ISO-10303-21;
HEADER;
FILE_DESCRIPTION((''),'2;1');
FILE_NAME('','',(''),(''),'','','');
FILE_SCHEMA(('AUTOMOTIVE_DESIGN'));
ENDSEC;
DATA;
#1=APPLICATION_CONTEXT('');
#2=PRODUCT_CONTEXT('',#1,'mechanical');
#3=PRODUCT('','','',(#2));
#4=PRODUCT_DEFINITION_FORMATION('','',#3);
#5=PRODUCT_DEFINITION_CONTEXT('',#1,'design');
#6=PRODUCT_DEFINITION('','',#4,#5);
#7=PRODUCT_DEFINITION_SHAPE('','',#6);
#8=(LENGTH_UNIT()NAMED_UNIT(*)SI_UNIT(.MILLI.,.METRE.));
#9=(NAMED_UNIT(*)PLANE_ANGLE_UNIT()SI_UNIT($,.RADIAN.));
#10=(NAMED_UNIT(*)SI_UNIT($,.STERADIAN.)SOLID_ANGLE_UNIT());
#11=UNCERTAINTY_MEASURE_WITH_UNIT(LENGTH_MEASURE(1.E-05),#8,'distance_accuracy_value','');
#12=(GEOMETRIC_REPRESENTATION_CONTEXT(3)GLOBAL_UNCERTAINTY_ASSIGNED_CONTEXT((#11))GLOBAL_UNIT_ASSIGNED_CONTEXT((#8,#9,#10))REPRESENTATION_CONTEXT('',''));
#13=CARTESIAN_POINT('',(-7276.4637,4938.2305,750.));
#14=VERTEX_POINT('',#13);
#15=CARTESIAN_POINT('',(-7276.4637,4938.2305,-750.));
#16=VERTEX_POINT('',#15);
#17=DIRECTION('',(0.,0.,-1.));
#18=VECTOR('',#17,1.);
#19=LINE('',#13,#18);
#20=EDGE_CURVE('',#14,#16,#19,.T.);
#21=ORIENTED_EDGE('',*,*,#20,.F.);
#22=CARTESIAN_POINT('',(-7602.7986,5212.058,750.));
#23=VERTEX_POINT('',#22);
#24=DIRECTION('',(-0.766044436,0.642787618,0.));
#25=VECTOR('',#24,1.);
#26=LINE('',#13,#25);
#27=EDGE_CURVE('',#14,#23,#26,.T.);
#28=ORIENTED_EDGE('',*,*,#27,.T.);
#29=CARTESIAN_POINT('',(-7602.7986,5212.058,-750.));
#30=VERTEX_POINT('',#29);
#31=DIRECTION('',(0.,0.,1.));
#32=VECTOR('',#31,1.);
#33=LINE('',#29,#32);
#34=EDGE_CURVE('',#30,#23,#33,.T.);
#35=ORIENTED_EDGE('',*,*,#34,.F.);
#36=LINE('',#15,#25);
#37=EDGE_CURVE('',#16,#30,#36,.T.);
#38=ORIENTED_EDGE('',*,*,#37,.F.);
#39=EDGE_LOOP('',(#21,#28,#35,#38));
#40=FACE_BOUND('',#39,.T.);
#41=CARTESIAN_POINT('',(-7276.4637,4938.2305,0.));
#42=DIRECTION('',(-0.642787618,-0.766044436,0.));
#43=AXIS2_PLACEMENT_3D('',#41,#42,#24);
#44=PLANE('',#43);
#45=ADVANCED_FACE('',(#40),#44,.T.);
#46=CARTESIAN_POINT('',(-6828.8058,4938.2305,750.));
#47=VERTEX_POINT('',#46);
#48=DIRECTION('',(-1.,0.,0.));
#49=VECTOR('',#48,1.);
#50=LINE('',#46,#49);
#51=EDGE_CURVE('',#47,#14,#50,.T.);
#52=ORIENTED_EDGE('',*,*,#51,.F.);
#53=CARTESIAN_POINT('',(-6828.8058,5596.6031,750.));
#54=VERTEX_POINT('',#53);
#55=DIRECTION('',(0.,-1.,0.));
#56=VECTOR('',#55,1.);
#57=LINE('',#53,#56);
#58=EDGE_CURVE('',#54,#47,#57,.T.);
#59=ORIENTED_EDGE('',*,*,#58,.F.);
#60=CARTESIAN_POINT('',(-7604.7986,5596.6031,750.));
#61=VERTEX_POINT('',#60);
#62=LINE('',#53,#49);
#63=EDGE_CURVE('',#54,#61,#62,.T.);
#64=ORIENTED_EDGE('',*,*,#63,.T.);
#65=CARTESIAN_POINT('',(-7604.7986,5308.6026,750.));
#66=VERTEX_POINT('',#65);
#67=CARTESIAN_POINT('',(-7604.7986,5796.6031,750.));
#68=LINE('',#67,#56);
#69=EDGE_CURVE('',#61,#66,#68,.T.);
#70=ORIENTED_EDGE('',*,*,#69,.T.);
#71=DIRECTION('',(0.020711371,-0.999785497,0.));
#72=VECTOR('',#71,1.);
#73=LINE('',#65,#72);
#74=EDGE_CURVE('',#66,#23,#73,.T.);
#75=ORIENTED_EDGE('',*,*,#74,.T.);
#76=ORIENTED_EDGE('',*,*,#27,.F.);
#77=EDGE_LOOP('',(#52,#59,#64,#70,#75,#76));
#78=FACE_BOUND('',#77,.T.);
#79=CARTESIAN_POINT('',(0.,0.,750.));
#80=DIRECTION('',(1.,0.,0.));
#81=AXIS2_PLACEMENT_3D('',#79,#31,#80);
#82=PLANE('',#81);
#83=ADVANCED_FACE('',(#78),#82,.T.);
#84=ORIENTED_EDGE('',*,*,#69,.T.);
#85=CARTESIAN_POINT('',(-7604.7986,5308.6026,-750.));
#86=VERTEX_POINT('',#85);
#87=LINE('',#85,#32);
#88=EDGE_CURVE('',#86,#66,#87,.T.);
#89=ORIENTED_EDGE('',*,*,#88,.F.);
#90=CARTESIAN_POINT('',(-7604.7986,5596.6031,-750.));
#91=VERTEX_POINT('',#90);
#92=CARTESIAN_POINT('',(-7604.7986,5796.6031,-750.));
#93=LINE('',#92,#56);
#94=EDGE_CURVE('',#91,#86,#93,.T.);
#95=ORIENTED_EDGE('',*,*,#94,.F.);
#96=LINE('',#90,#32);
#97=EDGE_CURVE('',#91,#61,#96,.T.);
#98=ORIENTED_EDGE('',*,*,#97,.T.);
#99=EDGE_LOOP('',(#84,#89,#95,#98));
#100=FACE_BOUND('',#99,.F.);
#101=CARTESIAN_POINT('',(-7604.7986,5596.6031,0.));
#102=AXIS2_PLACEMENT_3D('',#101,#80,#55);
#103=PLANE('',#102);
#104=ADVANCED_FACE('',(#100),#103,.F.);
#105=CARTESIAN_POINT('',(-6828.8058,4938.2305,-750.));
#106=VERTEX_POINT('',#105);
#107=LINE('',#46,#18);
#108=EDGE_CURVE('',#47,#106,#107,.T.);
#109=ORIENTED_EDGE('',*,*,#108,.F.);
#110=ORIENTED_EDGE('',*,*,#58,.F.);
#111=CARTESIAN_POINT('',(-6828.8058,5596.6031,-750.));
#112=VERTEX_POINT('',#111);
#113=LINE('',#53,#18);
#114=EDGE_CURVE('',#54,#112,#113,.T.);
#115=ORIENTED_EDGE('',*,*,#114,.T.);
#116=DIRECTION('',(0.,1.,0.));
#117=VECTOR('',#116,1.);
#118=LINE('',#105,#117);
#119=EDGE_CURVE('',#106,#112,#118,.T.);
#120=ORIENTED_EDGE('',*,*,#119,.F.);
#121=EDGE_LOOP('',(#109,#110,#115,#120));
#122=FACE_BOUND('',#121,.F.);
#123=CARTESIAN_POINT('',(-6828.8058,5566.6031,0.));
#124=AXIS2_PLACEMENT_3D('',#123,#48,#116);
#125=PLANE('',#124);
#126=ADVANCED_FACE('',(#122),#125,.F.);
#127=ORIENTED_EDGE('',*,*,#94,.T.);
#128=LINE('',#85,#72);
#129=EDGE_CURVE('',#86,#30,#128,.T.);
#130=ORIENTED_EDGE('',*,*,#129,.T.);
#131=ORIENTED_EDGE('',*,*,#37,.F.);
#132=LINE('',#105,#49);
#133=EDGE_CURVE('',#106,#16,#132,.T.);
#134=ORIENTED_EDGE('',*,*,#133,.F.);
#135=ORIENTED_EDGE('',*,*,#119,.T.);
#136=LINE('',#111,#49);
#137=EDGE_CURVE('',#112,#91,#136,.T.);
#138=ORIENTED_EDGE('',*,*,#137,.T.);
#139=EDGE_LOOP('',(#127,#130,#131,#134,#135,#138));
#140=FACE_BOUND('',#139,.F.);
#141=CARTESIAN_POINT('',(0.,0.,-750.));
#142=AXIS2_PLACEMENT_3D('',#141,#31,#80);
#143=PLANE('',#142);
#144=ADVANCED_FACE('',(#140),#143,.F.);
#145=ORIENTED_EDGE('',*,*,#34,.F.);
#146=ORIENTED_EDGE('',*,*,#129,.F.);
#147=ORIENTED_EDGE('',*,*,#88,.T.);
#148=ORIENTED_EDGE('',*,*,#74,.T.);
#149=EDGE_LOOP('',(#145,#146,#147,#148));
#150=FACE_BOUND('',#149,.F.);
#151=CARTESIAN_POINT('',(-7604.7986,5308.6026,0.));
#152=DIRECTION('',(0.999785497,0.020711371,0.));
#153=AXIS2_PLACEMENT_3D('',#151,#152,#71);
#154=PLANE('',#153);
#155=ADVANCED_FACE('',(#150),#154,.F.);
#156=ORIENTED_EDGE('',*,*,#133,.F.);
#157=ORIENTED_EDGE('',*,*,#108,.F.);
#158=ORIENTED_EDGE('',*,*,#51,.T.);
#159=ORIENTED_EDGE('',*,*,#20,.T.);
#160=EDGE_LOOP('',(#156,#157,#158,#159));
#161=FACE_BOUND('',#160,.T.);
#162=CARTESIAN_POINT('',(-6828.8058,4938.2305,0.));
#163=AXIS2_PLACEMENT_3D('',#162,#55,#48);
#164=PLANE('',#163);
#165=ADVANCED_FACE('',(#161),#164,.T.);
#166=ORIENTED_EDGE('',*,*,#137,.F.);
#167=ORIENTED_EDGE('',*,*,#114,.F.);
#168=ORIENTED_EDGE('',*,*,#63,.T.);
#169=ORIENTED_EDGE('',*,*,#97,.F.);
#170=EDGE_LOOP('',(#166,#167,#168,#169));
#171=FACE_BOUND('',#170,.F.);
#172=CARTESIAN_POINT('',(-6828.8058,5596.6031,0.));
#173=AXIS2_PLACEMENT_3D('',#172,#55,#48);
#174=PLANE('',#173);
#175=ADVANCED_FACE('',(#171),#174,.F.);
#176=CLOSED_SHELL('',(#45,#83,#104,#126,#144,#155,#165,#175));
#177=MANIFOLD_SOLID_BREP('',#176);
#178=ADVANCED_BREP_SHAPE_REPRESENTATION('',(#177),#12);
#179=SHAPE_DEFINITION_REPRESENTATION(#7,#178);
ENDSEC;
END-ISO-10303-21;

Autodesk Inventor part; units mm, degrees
ref_plane "YZ Plane" through (0, 0, 0) normal (1, 0, 0) x (0, 1, 0)
ref_plane "XZ Plane" through (0, 0, 0) normal (0, 1, 0) x (-1, 0, 0)
ref_plane "XY Plane" through (0, 0, 0) normal (0, 0, 1) x (1, 0, 0)
sketch "Sketch1" plane through (0, 0, 0) normal (0, 0, 1) x (1, 0, 0)
  line L0 (-7604.7986, 5796.6031) -> (-7604.7986, 5308.6026) projected
  line L1 (-6828.8058, 5566.6031) -> (-6828.8058, 5596.6031) projected
  line L2 (-7276.4637, 4938.2305) -> (-7602.7986, 5212.058) projected
  line L3 (-6828.8058, 5596.6031) -> (-7604.7986, 5596.6031)
  line L4 (-7604.7986, 5308.6026) -> (-7602.7986, 5212.058)
  line L5 (-6828.8058, 5566.6031) -> (-6828.8058, 4938.2305)
  line L6 (-6828.8058, 4938.2305) -> (-7276.4637, 4938.2305)
  point P0 (0, 0)
extrude "Extrusion1" add sketch "Sketch1" along normal mid plane 1500
properties part number "DUMMY 3"
